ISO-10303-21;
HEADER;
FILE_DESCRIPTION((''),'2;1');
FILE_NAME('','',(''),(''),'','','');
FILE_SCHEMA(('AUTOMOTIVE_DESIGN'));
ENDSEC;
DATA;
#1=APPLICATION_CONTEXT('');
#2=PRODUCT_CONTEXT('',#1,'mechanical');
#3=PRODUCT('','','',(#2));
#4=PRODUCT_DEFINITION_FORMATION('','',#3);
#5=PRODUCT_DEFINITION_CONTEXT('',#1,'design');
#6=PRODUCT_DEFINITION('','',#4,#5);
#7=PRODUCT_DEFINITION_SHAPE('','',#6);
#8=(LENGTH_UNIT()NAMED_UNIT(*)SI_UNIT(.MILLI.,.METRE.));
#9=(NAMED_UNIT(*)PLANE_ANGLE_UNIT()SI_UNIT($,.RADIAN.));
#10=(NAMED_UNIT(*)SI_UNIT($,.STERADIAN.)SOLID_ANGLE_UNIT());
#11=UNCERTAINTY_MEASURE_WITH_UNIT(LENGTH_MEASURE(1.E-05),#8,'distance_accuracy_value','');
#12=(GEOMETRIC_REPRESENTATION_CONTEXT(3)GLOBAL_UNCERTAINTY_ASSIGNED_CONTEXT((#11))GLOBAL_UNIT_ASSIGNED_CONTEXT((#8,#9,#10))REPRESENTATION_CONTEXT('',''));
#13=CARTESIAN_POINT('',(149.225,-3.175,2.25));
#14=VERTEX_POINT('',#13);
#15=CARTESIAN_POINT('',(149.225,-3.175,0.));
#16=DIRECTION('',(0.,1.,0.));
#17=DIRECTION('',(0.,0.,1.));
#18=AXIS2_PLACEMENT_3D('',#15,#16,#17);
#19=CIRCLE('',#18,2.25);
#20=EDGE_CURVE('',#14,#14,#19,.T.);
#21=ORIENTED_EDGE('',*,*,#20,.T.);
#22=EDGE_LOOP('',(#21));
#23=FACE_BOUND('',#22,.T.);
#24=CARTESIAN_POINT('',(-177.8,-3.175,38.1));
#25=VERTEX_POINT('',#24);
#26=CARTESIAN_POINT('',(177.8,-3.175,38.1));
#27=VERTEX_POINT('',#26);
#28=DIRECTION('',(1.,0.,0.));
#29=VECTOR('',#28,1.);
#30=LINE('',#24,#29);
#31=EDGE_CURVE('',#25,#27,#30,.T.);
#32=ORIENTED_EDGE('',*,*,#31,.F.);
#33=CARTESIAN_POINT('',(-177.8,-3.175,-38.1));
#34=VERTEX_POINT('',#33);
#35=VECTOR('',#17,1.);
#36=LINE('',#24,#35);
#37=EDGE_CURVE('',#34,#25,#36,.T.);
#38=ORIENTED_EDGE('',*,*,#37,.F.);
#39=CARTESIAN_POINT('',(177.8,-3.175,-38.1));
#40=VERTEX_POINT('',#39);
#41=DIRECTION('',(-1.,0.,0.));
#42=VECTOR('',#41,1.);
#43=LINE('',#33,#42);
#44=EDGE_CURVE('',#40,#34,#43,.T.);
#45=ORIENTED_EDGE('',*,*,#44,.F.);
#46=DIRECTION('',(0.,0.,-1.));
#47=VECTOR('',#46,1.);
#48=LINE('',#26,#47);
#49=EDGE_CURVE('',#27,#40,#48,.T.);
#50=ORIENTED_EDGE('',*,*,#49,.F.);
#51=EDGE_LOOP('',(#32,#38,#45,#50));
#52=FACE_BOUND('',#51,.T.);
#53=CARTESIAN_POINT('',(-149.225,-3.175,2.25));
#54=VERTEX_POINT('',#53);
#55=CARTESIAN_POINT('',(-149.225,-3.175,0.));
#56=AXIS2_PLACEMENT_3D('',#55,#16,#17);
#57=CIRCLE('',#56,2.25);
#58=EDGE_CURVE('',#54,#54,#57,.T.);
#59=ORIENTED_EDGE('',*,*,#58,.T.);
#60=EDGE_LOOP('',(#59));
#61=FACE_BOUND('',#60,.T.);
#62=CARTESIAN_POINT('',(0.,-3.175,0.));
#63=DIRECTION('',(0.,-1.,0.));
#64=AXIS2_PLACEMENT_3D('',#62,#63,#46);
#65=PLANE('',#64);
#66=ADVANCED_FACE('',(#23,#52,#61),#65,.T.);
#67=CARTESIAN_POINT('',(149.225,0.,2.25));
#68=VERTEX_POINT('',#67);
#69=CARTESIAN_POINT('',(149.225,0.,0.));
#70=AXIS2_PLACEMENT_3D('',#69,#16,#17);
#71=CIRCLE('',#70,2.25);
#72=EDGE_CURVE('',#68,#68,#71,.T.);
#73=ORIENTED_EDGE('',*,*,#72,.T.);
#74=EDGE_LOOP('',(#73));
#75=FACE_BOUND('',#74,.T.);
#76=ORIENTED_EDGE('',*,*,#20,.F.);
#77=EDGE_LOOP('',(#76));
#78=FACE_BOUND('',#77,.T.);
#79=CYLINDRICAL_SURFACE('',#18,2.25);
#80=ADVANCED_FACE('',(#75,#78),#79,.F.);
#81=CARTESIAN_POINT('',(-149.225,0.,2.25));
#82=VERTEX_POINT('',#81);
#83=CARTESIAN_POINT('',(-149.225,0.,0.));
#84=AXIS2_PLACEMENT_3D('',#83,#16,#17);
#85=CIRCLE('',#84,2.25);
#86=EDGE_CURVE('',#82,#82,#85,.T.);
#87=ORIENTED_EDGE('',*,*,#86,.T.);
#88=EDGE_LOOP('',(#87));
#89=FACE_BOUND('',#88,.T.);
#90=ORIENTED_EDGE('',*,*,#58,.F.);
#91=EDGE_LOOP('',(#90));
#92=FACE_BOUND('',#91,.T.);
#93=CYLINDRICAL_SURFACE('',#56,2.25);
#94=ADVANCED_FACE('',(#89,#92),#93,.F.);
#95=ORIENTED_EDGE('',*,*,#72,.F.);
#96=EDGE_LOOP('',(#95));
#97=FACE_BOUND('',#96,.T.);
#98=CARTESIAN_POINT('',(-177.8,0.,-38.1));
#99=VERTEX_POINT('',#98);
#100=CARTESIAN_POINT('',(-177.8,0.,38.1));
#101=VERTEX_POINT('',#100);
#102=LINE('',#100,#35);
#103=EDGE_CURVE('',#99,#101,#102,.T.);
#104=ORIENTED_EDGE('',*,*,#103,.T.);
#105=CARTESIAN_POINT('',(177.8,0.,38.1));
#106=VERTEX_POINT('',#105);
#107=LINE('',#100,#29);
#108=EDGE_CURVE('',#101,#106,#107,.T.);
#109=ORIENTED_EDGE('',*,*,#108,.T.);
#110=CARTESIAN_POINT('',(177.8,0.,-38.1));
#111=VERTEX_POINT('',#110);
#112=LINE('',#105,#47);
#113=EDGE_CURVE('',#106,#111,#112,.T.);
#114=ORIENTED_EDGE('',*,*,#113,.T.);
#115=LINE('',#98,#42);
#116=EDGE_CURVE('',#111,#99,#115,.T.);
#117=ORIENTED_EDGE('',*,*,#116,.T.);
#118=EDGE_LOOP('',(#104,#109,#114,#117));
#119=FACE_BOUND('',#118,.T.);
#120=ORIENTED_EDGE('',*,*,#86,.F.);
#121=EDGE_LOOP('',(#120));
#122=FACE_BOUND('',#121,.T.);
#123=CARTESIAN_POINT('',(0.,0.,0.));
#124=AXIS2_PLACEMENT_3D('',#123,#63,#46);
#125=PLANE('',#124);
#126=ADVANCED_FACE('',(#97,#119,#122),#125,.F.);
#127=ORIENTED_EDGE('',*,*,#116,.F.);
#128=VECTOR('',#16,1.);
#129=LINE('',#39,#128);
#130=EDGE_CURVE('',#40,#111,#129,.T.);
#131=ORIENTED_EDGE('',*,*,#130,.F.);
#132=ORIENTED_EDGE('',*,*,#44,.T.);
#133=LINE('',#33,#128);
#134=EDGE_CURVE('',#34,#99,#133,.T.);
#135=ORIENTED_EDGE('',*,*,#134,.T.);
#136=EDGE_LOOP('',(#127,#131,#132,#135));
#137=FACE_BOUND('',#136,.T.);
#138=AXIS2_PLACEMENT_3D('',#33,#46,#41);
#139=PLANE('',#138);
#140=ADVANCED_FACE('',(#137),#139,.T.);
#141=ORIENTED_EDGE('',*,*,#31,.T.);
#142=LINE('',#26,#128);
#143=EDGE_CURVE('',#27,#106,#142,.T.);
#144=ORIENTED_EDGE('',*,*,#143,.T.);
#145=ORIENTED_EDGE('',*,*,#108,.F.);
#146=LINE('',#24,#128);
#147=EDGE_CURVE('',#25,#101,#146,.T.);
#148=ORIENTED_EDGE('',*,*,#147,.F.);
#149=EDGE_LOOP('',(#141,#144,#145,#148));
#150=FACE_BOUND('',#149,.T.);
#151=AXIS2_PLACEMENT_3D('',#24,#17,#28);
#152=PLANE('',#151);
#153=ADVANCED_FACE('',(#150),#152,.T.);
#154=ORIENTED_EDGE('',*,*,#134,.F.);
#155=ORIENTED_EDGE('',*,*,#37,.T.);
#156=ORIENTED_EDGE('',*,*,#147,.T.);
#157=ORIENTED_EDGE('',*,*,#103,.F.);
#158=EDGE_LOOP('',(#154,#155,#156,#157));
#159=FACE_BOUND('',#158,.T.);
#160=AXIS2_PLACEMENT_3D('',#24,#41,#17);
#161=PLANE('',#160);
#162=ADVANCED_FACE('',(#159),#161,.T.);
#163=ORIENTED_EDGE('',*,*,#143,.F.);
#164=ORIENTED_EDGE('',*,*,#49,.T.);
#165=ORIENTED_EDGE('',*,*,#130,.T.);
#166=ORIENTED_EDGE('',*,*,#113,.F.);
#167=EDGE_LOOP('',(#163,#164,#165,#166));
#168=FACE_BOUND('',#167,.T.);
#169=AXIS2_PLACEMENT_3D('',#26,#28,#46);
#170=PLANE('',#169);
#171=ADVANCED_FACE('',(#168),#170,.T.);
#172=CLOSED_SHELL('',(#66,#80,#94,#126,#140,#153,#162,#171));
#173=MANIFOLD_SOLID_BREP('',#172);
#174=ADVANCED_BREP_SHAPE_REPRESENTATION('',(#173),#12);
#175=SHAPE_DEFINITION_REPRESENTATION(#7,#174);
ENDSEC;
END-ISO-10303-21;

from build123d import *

# Parameters (mm, degrees)
SKETCH1_W           = 355.6
SKETCH1_H           = 76.2
SKETCH1_R           = 2.25
BOSS_EXTRUDE1_DEPTH = 3.175


with BuildPart() as part:
    # Sketch1 → Boss-Extrude1 (new body)
    with BuildSketch(Plane(origin=(0, 0, 0), x_dir=(1, 0, 0), z_dir=(0, 1, 0))):
        Rectangle(SKETCH1_W, SKETCH1_H)
        with Locations((-149.225, 0)):
            Circle(SKETCH1_R, mode=Mode.SUBTRACT)
        with Locations((149.225, 0)):
            Circle(SKETCH1_R, mode=Mode.SUBTRACT)
    extrude(amount=-BOSS_EXTRUDE1_DEPTH)


solid = part.part
